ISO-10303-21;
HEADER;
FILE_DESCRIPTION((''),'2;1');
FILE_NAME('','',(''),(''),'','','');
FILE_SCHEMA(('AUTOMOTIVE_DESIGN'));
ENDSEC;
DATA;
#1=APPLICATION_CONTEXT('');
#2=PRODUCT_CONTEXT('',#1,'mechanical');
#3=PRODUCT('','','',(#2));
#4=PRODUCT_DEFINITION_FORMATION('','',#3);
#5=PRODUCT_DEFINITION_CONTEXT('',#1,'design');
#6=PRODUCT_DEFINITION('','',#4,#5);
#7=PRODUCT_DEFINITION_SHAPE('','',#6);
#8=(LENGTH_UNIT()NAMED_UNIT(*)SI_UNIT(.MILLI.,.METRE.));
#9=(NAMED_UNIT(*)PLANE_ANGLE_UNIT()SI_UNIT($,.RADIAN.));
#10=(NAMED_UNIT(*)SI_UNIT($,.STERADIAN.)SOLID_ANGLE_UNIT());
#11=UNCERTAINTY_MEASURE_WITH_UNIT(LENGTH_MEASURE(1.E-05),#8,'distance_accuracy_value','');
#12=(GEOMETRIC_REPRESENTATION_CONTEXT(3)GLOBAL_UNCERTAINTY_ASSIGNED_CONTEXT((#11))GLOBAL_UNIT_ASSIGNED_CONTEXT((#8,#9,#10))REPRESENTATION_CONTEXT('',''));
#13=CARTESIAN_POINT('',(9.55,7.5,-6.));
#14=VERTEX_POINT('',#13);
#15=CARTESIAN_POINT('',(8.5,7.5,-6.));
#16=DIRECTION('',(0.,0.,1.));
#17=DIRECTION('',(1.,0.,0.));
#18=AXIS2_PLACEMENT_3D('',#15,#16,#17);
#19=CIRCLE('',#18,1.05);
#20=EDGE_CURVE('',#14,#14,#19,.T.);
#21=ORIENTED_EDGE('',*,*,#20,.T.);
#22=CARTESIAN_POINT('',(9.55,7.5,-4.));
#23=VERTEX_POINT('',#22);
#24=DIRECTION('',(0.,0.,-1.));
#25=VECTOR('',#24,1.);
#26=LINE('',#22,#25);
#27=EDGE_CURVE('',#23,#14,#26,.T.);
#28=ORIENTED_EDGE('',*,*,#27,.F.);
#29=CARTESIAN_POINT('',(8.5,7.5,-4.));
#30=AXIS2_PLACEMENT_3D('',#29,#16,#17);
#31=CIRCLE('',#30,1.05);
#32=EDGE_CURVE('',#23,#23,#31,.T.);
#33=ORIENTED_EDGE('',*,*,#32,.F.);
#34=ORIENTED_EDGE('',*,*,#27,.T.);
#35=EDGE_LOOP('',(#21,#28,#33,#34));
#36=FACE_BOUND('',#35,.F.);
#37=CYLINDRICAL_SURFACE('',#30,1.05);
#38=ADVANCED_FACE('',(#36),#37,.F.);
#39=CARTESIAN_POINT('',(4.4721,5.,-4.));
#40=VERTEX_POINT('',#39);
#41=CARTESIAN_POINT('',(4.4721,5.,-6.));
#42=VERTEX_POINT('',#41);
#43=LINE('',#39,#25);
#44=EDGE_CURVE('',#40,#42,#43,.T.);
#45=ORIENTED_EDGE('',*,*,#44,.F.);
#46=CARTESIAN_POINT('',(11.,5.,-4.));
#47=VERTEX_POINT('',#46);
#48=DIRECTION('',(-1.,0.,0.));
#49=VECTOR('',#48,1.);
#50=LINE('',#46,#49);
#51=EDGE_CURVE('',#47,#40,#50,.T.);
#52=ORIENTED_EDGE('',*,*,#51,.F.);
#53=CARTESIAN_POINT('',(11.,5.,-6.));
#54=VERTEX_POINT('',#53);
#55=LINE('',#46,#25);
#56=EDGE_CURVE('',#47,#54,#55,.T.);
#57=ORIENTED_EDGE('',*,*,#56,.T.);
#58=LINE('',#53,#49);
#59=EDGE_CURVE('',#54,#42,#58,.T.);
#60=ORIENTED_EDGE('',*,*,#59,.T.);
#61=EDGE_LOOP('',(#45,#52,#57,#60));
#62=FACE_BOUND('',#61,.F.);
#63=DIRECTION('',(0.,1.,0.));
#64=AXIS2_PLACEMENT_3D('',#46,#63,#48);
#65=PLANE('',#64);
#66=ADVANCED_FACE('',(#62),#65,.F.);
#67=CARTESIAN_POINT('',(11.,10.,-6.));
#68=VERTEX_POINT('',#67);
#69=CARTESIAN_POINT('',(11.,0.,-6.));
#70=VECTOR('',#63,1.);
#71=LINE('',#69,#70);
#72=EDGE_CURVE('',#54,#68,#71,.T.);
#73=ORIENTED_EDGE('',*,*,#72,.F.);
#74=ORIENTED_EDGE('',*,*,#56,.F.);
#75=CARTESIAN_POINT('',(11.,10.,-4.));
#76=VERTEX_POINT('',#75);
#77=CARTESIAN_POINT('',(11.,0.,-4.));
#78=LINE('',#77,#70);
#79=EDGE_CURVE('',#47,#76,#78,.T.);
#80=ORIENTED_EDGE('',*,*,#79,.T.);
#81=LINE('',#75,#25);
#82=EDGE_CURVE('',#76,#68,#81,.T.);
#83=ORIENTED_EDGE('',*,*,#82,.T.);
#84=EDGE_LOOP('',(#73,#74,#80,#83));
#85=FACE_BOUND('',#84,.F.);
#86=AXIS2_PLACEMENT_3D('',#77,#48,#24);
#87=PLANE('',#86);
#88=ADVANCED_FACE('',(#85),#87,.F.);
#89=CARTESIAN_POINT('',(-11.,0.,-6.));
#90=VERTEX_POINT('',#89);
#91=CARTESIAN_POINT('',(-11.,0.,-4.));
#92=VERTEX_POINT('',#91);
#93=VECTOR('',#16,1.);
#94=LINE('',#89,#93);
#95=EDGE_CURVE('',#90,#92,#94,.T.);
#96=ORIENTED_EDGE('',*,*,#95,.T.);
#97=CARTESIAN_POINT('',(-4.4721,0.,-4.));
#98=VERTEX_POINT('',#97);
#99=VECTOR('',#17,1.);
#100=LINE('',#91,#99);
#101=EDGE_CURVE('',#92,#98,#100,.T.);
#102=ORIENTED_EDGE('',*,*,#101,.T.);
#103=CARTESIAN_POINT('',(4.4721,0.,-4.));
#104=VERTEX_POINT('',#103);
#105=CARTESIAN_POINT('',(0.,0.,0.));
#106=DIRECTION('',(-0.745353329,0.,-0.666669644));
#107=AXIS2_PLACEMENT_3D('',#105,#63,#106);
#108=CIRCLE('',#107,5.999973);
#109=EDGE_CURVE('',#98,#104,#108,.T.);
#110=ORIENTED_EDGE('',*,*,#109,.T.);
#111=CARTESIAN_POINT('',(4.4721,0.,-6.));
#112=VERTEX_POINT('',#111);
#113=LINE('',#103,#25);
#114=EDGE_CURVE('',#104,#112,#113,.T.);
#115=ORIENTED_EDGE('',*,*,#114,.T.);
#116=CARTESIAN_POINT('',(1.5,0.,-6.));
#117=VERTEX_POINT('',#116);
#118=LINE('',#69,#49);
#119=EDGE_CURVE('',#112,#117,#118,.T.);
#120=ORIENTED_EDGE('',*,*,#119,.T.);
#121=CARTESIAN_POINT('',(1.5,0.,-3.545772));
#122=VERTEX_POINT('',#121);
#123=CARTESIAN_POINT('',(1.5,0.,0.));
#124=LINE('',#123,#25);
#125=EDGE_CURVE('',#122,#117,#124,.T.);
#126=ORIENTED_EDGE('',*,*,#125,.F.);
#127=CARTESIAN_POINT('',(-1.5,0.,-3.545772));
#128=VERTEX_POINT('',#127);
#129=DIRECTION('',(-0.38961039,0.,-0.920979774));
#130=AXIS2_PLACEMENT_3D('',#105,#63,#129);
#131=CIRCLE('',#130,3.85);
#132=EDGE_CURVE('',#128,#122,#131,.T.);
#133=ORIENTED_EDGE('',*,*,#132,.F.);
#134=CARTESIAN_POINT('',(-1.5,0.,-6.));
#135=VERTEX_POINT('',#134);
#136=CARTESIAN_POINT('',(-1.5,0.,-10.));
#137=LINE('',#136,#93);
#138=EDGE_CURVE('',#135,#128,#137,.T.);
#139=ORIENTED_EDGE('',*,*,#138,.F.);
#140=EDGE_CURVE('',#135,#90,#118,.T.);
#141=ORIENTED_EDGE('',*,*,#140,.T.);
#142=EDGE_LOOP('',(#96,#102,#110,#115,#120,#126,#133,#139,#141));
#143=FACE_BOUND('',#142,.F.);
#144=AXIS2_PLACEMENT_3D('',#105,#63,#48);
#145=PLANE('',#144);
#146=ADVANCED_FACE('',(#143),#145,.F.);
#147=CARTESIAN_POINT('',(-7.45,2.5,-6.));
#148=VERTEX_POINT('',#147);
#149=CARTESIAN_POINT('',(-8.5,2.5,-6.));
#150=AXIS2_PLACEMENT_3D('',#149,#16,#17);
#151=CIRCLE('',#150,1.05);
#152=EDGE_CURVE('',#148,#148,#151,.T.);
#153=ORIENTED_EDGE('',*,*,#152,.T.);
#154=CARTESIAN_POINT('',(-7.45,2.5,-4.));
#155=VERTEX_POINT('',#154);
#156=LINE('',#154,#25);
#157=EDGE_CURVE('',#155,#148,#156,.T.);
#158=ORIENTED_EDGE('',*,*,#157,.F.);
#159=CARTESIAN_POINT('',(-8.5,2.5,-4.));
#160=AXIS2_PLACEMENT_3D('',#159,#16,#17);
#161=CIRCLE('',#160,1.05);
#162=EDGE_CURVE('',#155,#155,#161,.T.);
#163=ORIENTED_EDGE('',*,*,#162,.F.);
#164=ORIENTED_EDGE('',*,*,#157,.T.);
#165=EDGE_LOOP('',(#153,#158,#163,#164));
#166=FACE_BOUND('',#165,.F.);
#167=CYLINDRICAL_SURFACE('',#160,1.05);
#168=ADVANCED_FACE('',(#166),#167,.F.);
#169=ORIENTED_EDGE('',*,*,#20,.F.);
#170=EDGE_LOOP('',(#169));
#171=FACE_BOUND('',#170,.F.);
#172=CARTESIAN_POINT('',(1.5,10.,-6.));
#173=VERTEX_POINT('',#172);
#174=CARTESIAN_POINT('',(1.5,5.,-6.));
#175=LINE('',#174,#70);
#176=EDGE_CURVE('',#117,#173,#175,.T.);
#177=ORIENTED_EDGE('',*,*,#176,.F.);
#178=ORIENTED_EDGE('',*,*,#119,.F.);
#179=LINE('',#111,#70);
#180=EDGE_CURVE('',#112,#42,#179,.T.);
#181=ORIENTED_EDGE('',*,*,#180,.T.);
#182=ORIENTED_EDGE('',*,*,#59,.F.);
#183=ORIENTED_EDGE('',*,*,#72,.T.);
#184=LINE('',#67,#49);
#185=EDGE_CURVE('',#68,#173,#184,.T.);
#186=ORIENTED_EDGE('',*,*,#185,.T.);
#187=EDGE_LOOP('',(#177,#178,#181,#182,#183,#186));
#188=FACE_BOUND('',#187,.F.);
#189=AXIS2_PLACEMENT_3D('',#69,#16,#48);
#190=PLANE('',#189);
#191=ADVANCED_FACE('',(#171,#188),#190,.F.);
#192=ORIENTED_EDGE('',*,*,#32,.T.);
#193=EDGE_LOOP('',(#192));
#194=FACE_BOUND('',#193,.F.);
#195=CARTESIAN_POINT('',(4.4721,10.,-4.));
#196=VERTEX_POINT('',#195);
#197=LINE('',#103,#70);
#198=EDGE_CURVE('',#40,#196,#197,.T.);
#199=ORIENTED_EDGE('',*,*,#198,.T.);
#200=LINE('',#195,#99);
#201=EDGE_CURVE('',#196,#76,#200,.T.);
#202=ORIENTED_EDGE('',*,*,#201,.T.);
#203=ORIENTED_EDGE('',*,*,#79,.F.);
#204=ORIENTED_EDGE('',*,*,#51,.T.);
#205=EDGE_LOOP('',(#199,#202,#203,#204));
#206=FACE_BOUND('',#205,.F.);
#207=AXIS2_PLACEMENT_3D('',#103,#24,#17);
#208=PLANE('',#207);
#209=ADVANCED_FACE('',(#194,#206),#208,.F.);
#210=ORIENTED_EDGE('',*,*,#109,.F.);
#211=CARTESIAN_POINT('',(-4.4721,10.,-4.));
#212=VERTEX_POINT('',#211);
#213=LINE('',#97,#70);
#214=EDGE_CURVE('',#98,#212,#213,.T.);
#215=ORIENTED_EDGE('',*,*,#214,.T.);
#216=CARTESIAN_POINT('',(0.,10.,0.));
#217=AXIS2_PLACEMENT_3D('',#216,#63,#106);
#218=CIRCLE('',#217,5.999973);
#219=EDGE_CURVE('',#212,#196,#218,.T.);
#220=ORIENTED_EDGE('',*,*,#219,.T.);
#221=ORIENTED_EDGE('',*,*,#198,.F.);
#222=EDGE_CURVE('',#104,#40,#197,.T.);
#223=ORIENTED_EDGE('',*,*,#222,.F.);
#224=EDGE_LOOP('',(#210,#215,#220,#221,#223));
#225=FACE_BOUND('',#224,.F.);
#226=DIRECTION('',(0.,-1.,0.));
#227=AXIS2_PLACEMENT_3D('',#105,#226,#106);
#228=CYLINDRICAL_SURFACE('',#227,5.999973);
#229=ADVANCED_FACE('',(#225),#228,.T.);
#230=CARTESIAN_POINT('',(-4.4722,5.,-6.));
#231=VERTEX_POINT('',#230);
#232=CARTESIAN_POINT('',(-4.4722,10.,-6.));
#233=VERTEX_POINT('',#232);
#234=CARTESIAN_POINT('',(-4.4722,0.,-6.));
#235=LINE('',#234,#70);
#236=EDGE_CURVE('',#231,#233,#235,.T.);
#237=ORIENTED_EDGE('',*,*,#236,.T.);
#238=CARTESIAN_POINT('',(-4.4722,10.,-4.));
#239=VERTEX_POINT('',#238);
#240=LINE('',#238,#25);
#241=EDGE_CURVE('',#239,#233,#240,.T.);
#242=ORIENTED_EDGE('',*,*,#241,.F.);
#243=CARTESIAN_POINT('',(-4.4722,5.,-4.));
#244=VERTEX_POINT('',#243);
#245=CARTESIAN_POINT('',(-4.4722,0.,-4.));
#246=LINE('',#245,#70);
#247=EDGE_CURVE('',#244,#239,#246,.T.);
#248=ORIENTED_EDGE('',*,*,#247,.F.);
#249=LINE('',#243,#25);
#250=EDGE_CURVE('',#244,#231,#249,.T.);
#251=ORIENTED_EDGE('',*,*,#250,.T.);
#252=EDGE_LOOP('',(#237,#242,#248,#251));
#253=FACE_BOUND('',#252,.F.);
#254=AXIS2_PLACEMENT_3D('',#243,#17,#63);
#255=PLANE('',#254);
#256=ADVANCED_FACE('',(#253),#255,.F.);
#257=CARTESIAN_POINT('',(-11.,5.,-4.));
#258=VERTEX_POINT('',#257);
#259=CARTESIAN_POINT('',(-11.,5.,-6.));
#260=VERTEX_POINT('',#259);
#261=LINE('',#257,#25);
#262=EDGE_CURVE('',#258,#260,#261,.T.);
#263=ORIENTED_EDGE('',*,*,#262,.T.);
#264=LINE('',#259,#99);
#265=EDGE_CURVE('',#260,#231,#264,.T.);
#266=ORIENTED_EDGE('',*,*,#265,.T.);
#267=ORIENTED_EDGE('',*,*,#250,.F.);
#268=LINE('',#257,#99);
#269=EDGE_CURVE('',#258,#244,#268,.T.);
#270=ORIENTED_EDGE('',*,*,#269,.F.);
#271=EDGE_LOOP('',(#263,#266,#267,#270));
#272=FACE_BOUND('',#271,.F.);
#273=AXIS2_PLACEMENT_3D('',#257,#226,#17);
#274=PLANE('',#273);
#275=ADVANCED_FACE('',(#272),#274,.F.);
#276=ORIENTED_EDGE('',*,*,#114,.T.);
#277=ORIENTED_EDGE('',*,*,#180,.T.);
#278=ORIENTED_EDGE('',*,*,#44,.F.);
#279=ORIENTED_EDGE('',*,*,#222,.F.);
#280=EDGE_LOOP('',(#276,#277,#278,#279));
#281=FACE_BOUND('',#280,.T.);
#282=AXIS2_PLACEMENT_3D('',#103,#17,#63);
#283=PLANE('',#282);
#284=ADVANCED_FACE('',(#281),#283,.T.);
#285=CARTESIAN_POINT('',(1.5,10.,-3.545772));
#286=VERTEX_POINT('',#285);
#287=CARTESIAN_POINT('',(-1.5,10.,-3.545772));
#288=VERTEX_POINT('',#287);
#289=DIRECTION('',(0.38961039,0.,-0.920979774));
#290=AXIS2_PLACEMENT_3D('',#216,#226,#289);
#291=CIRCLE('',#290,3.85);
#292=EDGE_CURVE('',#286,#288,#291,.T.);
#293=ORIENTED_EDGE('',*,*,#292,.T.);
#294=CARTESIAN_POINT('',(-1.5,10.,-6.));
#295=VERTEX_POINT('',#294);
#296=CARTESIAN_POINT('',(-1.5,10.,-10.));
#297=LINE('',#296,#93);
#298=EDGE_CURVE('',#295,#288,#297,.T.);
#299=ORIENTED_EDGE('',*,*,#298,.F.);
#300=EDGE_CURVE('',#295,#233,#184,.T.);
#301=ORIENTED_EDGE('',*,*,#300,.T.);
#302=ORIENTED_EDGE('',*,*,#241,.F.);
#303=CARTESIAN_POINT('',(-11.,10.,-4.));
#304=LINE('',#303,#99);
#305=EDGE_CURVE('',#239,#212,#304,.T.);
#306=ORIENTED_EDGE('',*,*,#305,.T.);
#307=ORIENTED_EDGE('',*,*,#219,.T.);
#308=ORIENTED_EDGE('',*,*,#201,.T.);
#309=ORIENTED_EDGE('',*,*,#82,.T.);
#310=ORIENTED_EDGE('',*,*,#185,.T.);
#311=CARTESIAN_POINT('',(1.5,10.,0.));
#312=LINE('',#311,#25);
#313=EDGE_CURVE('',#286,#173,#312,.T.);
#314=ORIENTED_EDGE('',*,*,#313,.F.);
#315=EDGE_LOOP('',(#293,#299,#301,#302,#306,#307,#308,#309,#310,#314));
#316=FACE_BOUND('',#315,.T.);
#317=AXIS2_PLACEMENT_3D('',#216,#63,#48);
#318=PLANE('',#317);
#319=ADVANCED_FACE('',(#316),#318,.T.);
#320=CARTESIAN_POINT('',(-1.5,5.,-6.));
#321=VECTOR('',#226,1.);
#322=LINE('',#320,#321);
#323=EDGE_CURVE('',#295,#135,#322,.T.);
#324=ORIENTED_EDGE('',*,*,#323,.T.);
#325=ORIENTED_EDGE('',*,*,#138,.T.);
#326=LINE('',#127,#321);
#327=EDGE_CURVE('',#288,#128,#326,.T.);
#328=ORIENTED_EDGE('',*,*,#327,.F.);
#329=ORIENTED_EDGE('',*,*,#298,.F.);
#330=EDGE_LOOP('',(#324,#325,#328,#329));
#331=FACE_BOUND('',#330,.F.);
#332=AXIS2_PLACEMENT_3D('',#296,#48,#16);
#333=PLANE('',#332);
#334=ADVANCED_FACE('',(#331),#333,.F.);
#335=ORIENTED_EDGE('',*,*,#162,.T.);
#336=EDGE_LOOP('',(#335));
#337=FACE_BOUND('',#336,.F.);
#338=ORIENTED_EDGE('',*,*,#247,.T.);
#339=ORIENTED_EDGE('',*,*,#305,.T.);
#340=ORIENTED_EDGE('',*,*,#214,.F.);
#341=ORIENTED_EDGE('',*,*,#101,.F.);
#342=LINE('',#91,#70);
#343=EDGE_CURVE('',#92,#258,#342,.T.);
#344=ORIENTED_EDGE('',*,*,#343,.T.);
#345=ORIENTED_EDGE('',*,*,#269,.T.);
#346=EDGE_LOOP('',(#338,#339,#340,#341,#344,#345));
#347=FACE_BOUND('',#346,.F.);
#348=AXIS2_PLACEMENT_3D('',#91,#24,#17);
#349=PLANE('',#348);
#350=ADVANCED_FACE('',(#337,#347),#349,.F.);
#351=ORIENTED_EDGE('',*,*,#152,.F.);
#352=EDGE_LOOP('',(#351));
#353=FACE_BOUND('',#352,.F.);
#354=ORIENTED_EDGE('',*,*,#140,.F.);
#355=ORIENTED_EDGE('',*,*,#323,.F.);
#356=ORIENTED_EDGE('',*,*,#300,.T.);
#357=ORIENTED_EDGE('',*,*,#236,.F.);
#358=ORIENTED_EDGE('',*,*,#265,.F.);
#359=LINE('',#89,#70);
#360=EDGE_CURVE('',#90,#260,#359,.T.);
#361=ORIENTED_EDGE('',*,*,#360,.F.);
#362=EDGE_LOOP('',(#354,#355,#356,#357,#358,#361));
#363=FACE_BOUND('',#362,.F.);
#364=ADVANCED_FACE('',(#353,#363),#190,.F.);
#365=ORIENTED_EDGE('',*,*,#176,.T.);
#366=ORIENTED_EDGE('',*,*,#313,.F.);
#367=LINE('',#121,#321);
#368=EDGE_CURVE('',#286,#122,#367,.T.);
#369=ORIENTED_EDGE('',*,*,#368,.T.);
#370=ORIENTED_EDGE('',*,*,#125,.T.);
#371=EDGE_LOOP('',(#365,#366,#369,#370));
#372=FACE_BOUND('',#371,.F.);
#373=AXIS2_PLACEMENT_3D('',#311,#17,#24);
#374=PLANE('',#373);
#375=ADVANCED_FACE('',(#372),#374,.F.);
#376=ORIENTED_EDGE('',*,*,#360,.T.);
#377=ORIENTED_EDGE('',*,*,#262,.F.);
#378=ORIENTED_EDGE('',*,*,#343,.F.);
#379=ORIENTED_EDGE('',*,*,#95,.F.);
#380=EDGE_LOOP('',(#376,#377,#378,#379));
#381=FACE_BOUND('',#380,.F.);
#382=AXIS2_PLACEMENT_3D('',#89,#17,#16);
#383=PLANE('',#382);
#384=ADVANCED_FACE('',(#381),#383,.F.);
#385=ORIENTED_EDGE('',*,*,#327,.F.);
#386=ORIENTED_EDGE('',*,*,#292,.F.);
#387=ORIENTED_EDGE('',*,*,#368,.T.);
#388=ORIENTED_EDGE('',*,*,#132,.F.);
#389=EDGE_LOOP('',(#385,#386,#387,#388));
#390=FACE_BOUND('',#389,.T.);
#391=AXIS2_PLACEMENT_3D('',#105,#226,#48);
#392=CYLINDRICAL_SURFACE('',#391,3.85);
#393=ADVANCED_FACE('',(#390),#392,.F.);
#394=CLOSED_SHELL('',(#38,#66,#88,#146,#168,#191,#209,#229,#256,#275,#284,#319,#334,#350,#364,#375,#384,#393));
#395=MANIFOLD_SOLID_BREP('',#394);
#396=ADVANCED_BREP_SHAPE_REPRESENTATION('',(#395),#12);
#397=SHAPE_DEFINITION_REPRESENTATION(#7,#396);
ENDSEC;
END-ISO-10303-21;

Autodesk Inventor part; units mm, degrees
ref_plane "YZ Plane" through (0, 0, 0) normal (1, 0, 0) x (0, 1, 0)
ref_plane "XZ Plane" through (0, 0, 0) normal (0, 1, 0) x (-1, 0, 0)
ref_plane "XY Plane" through (0, 0, 0) normal (0, 0, 1) x (1, 0, 0)
sketch "スケッチ3" plane through (0, 0, 0) normal (0, 1, 0) x (-1, 0, 0)
  circle A0 centre (0, 0) radius 3.85
  line L0 (11, -4) -> (4.4721, -4)
  line L1 (-11, -4) -> (-11, -6)
  line L2 (-11, -6) -> (11, -6)
  line L3 (11, -6) -> (11, -4)
  arc A1 (4.4721, -4) -> (-4.4721, -4) centre (0, 0) ccw
  line L4 (-4.4721, -4) -> (-11, -4)
  point P0 (0, -4)
  point P1 (0, -6)
  dimension "d12" = 7.7
  dimension "d14" = 22
  dimension "d15" = 2
  dimension "d16" = 6
extrude "押し出し3" add sketch "スケッチ3" along normal blind 10
sketch "スケッチ4" plane through (4.4721, 0, -4) normal (0, 0, 1) x (1, 0, 0)
  circle A0 centre (4.0279, 7.5) radius 1.05
  circle A1 centre (-12.9721, 2.5) radius 1.05
  line L0 (-15.4721, 0) -> (-15.4721, 10) projected
  line L1 (6.5279, 0) -> (6.5279, 10) projected
  line L2 (0, 10) -> (6.5279, 10) projected
  line L3 (-15.4721, 0) -> (-8.9443, 0) projected
  line L4 (0, 0) -> (0, 10) projected
  line L5 (0, 0) -> (6.5279, 0) projected
  line L6 (0, 0) -> (6.5279, 0) projected
  line L7 (6.5279, 0) -> (6.5279, 10) projected
  line L8 (0, 10) -> (6.5279, 10) projected
  line L9 (0, 0) -> (0, 10) projected
  line L10 (6.5279, 5) -> (0, 5)
  line L11 (0, 0) -> (6.5279, 0) projected
  line L12 (6.5279, 5) -> (6.5279, 0)
  line L13 (6.5279, 0) -> (0, 0)
  line L14 (1.5279, 0) -> (-10.4721, 0) projected
  line L15 (0, 0) -> (0, 5)
  line L16 (-15.4721, 0) -> (-8.9443, 0) projected
  line L17 (-8.9443, 0) -> (-8.9443, 10) projected
  line L18 (-15.4721, 10) -> (-8.9443, 10) projected
  line L19 (-15.4721, 0) -> (-15.4721, 10) projected
  line L20 (-15.4721, 0) -> (-15.4721, 10) projected
  line L21 (-15.4721, 10) -> (-8.9443, 10) projected
  line L22 (-15.4721, 5) -> (-8.9443, 5)
  line L23 (-8.9443, 5) -> (-8.9443, 10)
  line L24 (-8.9443, 10) -> (-15.4721, 10)
  line L25 (-15.4721, 10) -> (-15.4721, 5)
  point P0 (-4.4721, 0)
  dimension "d19" = 2.1
  dimension "d20" = 2.1
  dimension "d21" = 2.5
  dimension "d22" = 2.5
  dimension "d29" = 2.5
  dimension "d30" = 2.5
  dimension "d35" = 17
extrude "押し出し4" cut sketch "スケッチ4" against normal blind 10 contours A0 | A1
sketch "スケッチ5" plane through (0, 10, 0) normal (0, 1, 0) x (1, 0, 0)
  line L0 (-1.5, 0) -> (1.5, 0)
  line L1 (1.5, 0) -> (1.5, 10)
  line L2 (1.5, 10) -> (-1.5, 10)
  line L3 (-1.5, 10) -> (-1.5, 0)
  point P0 (0, 0)
  point P1 (0, 0)
  dimension "d25" = 3
  dimension "d26" = 10
extrude "押し出し5" cut sketch "スケッチ5" against normal blind 10
extrude "押し出し6" cut sketch "スケッチ4" against normal blind 2 contours L4 L10 L1 L5
extrude "押し出し7" cut sketch "スケッチ4" against normal blind 2 contours L0 L18 L17 L22
properties part number "Ω型"
